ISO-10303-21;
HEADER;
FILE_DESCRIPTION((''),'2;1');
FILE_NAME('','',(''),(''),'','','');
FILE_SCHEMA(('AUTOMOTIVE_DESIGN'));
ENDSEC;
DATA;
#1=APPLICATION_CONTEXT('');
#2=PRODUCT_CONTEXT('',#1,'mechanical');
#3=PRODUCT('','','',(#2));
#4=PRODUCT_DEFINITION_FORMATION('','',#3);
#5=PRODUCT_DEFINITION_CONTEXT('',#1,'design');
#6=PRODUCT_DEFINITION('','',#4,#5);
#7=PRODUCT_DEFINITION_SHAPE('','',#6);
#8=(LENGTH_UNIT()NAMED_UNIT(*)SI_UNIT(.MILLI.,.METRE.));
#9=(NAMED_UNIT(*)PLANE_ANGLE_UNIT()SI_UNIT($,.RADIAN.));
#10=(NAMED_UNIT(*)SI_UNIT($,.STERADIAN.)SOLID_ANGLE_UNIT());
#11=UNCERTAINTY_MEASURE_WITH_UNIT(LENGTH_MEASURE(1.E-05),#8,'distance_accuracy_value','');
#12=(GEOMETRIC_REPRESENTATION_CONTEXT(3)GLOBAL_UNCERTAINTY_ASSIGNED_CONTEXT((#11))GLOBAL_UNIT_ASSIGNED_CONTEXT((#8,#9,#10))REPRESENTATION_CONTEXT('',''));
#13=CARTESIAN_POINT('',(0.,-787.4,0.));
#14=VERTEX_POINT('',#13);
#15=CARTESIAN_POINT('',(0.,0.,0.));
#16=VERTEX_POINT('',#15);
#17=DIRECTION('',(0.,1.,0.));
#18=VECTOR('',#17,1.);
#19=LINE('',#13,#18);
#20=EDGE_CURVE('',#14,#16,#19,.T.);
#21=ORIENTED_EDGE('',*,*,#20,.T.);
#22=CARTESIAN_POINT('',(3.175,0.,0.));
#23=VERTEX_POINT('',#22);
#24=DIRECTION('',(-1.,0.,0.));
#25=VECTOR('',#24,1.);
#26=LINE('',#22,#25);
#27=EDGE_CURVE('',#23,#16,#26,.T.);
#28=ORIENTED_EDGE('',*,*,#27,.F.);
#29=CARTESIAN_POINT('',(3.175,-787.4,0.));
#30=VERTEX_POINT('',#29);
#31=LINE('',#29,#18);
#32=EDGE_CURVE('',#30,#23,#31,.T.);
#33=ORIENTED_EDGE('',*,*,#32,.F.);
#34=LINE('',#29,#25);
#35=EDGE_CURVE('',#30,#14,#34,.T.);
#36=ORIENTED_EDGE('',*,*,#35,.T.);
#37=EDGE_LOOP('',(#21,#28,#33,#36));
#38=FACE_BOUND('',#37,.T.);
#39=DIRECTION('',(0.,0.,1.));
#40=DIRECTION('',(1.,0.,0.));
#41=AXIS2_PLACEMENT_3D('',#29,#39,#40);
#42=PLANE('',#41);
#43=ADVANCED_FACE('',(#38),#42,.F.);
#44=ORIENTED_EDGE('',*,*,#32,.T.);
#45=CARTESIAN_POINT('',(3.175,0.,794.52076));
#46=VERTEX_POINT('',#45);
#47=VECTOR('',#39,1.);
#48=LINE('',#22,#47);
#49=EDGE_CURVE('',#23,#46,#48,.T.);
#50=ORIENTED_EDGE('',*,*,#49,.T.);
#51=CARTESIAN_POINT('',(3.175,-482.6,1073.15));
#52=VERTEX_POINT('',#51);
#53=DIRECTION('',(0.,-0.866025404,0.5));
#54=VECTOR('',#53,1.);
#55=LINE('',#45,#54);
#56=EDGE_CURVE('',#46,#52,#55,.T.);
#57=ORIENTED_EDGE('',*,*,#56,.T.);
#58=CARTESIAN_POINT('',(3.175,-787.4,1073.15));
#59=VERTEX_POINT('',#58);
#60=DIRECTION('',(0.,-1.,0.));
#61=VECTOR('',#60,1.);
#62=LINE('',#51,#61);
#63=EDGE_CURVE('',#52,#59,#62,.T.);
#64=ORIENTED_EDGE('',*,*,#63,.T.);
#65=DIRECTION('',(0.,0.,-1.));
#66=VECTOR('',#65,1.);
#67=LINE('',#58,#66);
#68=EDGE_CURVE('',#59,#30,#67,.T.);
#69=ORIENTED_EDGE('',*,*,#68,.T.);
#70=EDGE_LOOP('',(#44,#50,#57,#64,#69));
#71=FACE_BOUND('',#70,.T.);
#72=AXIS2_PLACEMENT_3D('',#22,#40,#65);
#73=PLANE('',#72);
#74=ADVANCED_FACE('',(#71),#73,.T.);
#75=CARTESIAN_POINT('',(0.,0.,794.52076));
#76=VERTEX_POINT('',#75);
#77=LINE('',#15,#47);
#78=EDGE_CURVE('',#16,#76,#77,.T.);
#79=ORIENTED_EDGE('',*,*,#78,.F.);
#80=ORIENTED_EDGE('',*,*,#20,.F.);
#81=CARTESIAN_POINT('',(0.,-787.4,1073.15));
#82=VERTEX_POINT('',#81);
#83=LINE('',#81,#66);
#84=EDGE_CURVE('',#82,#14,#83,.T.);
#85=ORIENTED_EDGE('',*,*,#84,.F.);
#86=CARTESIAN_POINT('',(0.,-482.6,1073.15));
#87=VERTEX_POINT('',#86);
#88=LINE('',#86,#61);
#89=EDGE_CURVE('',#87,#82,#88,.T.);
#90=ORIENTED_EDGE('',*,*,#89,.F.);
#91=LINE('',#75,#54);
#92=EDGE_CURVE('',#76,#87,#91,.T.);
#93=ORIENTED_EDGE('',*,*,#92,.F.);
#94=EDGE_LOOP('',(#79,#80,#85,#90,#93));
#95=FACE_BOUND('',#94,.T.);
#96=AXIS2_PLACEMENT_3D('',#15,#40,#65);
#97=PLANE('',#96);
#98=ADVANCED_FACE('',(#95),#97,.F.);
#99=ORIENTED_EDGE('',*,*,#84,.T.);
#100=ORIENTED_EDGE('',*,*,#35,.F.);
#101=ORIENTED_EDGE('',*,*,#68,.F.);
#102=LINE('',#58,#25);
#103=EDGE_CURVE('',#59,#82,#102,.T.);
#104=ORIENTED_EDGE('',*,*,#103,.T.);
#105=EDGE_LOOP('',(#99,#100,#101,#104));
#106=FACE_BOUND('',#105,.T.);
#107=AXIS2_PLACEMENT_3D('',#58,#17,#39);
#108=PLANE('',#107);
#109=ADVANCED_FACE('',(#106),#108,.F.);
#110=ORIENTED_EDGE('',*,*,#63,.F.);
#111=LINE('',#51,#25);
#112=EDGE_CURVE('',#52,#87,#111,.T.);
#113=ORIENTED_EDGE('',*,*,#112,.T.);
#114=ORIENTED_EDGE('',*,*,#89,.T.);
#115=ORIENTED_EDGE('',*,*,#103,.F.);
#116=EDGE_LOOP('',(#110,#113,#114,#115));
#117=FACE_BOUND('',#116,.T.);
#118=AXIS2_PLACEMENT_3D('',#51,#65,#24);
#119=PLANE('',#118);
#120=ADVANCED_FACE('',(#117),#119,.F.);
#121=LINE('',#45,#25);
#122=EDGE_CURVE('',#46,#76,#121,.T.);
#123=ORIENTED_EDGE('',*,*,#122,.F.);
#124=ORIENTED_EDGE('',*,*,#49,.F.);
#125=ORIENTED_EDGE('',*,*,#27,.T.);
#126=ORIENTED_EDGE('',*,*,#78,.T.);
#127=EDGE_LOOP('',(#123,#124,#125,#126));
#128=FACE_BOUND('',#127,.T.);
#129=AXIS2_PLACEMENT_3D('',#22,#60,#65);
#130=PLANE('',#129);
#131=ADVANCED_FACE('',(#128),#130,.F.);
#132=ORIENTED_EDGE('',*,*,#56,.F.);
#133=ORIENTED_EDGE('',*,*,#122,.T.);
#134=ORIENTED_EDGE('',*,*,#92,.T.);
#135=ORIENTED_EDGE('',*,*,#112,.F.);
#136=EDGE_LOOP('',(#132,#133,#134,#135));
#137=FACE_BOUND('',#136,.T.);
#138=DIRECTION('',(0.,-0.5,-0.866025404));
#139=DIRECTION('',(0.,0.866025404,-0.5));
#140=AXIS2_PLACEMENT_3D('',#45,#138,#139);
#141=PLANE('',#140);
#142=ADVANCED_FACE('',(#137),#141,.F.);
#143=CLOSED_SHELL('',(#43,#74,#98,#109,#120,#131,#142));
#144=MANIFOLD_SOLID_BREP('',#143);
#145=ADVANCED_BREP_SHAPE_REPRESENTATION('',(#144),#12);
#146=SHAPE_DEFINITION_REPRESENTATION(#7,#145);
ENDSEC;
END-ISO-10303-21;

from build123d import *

# Parameters (mm, degrees)
BOSS_EXTRUDE1_DEPTH = 3.175


with BuildPart() as part:
    # Sketch1 → Boss-Extrude1 (new body)
    with BuildSketch(Plane(origin=(0, 0, 0), x_dir=(0, 0, -1), z_dir=(1, 0, 0))):
        Polygon((0, 0), (-794.520760089, 0), (-1073.15, -482.6), (-1073.15, -787.4), (0, -787.4), align=None)
    extrude(amount=BOSS_EXTRUDE1_DEPTH)


solid = part.part
